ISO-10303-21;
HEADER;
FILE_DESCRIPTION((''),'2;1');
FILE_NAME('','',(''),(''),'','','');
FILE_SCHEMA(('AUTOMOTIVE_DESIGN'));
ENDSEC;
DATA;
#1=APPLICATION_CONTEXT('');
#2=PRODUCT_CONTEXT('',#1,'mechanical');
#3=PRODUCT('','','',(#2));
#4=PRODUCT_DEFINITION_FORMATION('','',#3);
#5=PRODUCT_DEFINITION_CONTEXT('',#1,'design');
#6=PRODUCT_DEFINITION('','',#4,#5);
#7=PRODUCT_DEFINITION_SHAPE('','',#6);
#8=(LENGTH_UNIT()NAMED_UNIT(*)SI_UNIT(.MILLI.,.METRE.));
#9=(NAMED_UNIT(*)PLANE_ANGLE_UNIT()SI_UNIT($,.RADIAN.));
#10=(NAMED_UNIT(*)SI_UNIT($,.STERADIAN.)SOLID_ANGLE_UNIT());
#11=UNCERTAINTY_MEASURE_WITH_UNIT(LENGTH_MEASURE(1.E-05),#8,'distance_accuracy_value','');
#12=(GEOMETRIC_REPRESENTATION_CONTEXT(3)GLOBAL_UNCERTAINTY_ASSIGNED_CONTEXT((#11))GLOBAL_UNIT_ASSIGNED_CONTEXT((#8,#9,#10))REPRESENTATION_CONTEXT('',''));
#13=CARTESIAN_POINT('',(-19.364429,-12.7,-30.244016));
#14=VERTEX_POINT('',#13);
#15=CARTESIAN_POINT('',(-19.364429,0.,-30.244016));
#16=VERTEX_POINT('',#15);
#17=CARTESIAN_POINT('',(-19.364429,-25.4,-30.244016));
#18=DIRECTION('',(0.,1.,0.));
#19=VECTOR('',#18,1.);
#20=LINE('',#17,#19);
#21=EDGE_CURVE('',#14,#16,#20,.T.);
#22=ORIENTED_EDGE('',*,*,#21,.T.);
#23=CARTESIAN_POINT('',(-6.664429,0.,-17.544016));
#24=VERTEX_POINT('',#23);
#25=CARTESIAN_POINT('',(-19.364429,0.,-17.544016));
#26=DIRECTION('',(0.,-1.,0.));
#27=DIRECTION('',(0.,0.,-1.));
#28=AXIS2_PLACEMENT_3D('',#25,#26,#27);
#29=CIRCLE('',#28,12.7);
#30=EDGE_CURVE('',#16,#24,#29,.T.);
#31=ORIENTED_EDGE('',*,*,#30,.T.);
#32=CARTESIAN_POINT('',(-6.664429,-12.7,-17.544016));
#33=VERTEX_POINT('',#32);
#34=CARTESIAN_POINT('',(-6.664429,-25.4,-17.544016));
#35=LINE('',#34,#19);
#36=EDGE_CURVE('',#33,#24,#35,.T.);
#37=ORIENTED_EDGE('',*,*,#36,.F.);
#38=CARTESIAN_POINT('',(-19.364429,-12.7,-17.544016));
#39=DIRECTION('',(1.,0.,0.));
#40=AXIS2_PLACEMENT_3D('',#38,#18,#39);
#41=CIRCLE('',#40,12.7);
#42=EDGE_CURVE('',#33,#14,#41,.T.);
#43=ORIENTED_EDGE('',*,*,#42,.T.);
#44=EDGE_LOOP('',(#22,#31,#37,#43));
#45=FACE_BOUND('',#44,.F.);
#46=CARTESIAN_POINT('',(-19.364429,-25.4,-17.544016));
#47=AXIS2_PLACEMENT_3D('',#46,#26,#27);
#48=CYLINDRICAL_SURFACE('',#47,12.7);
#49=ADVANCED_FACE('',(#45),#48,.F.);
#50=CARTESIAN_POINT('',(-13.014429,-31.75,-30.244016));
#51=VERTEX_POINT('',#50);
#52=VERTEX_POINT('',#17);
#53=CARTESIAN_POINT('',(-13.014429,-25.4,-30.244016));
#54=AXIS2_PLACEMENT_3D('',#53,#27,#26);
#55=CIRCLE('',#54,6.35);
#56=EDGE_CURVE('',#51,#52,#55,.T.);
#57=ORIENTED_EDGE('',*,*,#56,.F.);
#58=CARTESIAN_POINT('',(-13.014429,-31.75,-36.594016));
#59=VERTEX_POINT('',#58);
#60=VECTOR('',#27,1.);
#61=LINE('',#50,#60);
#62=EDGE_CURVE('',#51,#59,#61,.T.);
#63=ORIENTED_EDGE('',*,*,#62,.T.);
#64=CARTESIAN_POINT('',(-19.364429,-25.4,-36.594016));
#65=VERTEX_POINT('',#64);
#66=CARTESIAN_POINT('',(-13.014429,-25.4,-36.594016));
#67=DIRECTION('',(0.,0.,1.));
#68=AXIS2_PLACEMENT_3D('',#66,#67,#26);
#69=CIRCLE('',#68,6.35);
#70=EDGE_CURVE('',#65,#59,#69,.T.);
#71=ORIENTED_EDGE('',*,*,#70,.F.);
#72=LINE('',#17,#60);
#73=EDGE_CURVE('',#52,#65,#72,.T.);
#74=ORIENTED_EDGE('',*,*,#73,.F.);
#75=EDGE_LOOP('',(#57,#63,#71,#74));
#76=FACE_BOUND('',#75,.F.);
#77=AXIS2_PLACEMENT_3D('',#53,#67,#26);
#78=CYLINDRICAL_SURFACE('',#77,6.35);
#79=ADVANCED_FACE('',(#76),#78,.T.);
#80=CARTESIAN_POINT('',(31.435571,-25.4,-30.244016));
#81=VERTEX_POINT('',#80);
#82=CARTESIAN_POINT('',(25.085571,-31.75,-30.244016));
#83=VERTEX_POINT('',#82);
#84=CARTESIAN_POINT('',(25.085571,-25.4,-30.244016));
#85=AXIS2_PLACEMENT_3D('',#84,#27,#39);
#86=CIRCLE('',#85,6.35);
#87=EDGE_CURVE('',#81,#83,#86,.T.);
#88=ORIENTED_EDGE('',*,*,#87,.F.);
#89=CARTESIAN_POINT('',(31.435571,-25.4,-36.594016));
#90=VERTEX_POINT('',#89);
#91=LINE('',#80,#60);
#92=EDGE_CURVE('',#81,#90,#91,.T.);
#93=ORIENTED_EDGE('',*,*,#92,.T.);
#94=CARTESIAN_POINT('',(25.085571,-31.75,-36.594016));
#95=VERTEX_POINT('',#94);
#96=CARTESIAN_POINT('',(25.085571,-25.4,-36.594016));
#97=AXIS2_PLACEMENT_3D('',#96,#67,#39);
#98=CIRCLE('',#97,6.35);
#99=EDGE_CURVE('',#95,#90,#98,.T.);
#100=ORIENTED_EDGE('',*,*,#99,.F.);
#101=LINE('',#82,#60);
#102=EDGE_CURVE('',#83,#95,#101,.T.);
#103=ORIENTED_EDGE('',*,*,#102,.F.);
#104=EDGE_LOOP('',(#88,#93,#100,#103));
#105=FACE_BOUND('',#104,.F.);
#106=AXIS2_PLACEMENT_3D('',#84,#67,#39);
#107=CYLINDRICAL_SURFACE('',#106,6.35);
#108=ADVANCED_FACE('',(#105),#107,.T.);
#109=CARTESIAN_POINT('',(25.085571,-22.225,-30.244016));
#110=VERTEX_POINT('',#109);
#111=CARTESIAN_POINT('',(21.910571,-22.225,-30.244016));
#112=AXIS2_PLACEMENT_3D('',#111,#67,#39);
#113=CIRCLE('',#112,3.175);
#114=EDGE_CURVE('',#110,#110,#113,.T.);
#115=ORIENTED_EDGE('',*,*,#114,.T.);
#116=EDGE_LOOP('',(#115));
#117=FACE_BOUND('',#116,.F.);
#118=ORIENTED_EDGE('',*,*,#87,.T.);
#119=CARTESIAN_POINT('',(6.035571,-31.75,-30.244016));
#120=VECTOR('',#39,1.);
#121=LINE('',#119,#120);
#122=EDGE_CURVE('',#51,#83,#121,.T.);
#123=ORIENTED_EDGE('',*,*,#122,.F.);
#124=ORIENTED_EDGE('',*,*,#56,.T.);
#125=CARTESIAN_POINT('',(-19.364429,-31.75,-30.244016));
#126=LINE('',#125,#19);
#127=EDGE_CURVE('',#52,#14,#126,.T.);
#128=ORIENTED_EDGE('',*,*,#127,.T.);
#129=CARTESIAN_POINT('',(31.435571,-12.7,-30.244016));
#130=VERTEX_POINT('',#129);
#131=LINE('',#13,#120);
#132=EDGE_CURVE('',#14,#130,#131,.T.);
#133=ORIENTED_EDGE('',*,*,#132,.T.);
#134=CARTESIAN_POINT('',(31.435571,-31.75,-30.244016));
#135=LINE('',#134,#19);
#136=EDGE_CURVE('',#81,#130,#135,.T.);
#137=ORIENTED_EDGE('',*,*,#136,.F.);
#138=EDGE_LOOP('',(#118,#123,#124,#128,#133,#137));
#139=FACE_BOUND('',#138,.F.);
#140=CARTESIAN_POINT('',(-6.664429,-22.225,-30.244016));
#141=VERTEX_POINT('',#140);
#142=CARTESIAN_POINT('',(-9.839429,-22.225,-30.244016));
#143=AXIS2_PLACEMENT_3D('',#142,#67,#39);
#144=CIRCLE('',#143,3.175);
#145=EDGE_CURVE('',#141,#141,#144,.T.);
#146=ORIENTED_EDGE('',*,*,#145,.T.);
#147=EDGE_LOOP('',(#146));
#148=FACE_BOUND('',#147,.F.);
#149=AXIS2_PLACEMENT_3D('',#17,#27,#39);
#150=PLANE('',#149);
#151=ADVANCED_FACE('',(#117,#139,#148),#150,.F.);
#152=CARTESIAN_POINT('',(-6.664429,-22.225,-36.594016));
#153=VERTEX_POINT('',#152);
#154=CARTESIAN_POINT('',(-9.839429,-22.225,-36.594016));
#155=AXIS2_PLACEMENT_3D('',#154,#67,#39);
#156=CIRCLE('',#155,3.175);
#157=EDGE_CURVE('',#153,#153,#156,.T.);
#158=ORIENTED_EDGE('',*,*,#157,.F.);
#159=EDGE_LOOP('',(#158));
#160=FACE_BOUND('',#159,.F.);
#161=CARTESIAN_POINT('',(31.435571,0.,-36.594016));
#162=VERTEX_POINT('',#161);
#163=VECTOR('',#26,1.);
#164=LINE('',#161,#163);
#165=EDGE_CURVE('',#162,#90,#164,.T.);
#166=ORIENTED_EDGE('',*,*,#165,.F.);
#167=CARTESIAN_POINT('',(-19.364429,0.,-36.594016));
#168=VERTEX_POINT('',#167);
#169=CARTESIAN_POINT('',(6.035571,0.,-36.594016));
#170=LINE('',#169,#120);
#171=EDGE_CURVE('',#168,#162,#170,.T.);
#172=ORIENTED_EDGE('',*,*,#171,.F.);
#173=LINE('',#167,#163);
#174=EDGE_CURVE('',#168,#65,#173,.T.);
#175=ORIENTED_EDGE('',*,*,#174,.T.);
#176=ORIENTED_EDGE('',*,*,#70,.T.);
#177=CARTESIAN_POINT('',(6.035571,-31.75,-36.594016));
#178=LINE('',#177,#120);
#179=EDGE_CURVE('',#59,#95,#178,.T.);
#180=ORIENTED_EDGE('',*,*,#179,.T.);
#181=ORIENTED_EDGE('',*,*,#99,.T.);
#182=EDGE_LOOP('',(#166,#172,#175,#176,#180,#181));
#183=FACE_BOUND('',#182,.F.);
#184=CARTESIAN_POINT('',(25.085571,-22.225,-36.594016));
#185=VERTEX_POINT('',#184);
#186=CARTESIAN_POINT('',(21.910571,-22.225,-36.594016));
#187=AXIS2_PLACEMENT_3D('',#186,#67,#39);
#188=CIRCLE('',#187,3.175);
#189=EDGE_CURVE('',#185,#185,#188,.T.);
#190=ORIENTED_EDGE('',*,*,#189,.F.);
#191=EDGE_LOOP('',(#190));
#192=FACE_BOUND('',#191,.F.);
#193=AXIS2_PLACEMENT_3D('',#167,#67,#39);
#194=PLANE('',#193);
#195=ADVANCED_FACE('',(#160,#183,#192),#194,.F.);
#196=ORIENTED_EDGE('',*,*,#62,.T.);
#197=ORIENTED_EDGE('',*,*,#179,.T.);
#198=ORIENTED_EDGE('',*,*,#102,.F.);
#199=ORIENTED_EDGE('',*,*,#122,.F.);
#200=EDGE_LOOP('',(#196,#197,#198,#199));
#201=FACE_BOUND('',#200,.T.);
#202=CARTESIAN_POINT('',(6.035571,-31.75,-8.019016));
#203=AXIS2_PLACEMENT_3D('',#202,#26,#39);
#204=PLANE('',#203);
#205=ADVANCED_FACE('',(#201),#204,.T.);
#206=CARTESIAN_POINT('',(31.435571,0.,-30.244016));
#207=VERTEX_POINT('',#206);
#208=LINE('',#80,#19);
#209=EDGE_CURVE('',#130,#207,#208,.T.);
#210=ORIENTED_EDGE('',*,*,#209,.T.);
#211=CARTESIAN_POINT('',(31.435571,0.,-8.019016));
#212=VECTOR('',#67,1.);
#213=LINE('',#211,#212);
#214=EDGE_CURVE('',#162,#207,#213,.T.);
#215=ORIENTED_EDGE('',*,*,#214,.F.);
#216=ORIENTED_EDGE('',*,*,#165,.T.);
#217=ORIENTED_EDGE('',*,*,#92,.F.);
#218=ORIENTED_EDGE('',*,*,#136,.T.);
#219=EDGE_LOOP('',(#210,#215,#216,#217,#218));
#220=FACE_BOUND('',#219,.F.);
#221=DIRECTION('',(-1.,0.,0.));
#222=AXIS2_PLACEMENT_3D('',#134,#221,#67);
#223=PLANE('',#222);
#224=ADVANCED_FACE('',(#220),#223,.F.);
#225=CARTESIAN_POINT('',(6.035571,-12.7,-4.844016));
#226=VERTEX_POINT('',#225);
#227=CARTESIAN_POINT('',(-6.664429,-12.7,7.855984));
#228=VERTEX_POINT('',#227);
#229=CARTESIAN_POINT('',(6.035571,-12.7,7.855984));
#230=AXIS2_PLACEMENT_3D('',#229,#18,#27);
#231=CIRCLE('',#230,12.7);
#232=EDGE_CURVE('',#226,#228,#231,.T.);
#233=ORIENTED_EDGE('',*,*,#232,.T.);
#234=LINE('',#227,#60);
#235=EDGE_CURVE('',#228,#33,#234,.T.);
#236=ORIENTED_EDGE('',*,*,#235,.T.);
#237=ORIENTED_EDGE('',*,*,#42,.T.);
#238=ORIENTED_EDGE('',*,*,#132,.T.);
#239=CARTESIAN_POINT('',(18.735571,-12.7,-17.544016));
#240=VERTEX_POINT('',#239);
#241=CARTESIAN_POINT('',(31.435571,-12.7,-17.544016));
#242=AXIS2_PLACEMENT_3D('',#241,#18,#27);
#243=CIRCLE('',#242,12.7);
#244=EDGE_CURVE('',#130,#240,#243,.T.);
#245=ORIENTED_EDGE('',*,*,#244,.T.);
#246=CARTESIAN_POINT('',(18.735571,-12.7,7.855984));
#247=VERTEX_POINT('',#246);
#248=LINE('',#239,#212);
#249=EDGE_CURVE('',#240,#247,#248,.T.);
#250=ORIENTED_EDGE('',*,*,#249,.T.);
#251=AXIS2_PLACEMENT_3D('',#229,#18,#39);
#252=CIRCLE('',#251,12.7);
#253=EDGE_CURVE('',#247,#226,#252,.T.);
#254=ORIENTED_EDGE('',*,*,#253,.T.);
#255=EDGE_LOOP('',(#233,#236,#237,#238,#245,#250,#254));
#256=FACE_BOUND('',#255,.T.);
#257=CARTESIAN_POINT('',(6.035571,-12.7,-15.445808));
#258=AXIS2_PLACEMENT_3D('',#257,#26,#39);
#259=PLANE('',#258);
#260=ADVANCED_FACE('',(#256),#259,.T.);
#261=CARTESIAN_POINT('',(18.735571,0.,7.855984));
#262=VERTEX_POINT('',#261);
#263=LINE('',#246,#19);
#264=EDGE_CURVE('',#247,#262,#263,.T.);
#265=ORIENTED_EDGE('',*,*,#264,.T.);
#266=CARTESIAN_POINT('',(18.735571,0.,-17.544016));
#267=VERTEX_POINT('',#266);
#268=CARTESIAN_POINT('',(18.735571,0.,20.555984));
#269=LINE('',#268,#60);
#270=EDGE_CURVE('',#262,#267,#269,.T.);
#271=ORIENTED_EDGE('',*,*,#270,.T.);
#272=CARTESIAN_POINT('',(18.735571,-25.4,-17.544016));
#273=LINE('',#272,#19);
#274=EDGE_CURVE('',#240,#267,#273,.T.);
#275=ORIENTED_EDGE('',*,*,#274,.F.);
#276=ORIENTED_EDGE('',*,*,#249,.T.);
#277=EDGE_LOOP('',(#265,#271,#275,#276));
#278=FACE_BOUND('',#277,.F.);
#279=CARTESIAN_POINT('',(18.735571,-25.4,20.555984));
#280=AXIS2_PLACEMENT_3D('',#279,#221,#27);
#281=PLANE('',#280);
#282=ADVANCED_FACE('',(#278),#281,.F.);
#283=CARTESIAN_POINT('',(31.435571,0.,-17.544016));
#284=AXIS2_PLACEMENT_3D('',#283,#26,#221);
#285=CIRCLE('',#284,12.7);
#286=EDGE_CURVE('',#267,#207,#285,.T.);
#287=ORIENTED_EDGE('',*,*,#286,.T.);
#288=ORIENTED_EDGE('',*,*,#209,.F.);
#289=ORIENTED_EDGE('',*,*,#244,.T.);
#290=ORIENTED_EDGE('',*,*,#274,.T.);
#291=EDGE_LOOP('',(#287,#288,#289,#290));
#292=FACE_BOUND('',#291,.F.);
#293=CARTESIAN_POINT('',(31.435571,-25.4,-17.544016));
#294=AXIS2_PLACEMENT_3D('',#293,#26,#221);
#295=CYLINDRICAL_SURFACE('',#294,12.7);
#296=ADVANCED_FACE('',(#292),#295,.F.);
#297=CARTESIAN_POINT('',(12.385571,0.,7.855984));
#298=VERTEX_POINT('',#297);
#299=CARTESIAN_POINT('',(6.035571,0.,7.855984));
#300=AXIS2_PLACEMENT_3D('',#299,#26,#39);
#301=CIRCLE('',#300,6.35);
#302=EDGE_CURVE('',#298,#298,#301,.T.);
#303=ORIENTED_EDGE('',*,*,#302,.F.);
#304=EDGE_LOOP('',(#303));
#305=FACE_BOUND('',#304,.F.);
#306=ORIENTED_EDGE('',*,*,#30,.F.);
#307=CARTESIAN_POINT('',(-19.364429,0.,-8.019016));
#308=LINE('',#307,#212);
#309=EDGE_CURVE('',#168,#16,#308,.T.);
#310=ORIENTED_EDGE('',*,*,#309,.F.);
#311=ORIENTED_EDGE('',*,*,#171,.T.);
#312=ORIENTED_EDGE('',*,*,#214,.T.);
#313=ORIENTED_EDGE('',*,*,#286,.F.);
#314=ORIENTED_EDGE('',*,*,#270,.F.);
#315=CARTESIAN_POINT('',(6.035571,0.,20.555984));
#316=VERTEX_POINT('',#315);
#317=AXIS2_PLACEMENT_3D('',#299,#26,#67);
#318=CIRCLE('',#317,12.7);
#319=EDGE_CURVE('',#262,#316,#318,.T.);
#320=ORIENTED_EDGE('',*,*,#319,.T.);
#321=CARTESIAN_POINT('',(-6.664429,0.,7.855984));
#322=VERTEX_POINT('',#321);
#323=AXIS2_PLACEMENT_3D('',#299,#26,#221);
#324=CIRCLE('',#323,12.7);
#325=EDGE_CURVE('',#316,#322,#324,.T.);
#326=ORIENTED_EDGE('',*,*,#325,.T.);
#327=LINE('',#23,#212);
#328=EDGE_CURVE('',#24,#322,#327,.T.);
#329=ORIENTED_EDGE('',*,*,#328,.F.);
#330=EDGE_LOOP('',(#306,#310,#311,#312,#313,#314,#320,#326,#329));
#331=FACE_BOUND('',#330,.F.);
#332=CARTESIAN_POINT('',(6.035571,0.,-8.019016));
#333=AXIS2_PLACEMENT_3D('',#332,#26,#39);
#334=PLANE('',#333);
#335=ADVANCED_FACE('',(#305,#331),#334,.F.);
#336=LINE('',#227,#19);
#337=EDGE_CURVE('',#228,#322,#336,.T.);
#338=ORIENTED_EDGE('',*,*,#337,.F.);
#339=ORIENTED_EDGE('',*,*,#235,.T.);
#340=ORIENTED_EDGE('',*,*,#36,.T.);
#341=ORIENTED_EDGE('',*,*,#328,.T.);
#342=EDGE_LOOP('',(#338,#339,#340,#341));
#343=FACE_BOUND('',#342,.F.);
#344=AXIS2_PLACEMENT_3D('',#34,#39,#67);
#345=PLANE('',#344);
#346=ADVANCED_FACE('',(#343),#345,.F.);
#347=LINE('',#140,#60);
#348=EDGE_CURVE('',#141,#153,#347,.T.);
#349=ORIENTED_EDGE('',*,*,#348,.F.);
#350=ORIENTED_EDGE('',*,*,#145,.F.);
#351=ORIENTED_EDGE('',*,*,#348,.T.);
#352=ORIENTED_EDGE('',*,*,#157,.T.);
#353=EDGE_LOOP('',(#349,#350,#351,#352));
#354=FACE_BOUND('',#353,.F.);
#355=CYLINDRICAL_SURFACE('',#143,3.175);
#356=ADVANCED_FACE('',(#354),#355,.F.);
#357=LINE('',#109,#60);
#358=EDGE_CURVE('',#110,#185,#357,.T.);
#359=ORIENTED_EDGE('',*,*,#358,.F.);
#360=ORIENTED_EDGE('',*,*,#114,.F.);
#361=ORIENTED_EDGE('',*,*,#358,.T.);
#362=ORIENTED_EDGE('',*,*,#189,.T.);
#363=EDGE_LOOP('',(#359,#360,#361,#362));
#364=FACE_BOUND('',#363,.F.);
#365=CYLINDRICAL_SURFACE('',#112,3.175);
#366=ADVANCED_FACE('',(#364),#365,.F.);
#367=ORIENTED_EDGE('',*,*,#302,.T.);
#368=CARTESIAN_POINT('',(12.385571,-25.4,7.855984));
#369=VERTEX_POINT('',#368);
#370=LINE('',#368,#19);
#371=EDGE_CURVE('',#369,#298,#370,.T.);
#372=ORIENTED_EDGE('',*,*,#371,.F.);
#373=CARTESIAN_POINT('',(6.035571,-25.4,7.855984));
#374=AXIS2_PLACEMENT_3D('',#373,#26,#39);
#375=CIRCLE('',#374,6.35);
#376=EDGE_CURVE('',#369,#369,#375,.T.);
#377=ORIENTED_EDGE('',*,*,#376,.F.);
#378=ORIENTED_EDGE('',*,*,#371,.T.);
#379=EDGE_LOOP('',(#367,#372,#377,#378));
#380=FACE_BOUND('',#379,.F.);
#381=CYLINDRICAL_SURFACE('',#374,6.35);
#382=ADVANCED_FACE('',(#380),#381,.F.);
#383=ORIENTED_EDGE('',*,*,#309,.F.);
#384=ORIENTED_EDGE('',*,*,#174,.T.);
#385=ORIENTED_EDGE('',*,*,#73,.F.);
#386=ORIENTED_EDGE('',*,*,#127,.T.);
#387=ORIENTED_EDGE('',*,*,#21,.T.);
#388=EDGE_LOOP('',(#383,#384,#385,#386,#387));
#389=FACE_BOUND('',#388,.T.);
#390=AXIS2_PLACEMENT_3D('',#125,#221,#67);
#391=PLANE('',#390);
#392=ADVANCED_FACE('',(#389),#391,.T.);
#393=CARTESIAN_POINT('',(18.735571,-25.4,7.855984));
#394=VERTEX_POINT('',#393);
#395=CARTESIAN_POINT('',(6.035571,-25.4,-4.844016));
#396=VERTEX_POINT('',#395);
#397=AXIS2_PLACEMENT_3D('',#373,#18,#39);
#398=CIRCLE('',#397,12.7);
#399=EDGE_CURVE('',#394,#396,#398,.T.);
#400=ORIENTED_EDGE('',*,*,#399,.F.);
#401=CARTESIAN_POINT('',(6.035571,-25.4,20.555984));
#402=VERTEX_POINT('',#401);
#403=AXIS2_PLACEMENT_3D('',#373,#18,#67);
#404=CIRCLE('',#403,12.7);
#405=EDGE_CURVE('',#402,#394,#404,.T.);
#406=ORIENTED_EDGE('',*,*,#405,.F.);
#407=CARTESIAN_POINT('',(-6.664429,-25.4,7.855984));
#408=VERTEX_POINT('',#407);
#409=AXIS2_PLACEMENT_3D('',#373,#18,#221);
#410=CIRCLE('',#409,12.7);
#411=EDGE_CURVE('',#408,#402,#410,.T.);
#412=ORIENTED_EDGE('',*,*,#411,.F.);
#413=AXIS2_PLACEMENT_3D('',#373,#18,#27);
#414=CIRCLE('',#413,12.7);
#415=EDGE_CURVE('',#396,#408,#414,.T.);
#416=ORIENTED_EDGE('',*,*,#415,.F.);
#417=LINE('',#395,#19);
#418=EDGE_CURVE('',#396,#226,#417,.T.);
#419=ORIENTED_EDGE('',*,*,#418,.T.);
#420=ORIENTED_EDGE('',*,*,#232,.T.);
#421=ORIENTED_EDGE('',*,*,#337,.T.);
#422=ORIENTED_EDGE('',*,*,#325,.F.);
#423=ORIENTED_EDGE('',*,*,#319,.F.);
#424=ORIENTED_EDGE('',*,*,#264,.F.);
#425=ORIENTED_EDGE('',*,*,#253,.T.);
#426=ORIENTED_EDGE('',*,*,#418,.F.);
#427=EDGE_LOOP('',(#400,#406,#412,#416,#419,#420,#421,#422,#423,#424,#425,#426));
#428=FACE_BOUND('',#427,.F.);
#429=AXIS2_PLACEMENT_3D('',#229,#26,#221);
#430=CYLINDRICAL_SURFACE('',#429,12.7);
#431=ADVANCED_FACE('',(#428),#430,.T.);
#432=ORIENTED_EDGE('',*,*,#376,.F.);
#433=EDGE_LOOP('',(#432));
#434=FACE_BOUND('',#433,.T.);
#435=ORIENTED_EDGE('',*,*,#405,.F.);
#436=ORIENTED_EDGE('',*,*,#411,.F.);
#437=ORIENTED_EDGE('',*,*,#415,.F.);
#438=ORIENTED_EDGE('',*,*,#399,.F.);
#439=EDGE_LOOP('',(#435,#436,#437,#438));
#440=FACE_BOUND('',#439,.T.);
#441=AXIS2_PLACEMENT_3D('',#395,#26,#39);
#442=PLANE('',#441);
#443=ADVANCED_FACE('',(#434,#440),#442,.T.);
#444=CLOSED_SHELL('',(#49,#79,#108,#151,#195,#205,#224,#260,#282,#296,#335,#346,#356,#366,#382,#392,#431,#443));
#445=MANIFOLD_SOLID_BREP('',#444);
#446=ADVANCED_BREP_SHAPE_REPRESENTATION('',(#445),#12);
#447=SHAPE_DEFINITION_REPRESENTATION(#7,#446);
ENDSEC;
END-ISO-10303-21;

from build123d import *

# Parameters (mm, degrees)
F0_W      = 50.8
F0_H      = 57.15
F1_DEPTH  = 31.75
F2_W      = 50.8
F2_H      = 50.8
F3_DEPTH  = 6.35
F4_DEPTH  = 12.7
F6_DEPTH  = 25.4
F8_DEPTH  = 12.7
F9_DEPTH  = 25.4
F10_R     = 6.35
F11_DEPTH = 50.8
F12_R     = 3.175
F13_DEPTH = 25.4


with BuildPart() as f1:
    # F0 (on Front) → F1 (new body)
    with BuildSketch(Plane.XZ):
        with Locations((6.0355709866, -8.0190159138)):
            Rectangle(F0_W, F0_H)
    extrude(amount=F1_DEPTH)

    # F2 (on face) → F3 (join)
    with BuildSketch(Plane.XZ.offset(31.75)):
        with Locations((6.0355709866, -4.8440159138)):
            Rectangle(F2_W, F2_H)
    extrude(amount=F3_DEPTH)

    # F4 (cut): a face of the model
    f4_faces = [f1.faces().sort_by_distance(p)[0] for p in [
        (6.0355709866, -38.1, -4.8440159138),
    ]]
    extrude(f4_faces, amount=-F4_DEPTH, mode=Mode.SUBTRACT)

    # F5 (on face) → F6 (cut)
    with BuildSketch(Plane.XZ.offset(25.4)):
        with BuildLine():
            Line((-6.6644290134, -17.5440159138), (-6.6644290134, 20.5559840862))
            Line((-6.6644290134, 20.5559840862), (-19.3644290134, 20.5559840862))
            Line((-19.3644290134, 20.5559840862), (-19.3644290134, -30.2440159138))
            ThreePointArc((-19.3644290134, -30.2440159138), (-10.3841728924, -26.5242720349), (-6.6644290134, -17.5440159138))
        make_face()
        with BuildLine():
            Line((31.4355709866, 20.5559840862), (18.7355709866, 20.5559840862))
            Line((18.7355709866, 20.5559840862), (18.7355709866, -17.5440159138))
            ThreePointArc((18.7355709866, -17.5440159138), (22.4553148655, -26.5242720349), (31.4355709866, -30.2440159138))
            Line((31.4355709866, -30.2440159138), (31.4355709866, 20.5559840862))
        make_face()
    extrude(amount=-F6_DEPTH, mode=Mode.SUBTRACT)

    # F7 (on face) → F8 (cut)
    with BuildSketch(Plane.XZ.offset(25.4)):
        with BuildLine():
            ThreePointArc((6.0355709866, -4.8440159138), (-2.9446851345, -1.1242720349), (-6.6644290134, 7.8559840862))
            Line((-6.6644290134, 7.8559840862), (-6.6644290134, -17.5440159138))
            ThreePointArc((-6.6644290134, -17.5440159138), (-10.3841728924, -26.5242720349), (-19.3644290134, -30.2440159138))
            Line((-19.3644290134, -30.2440159138), (31.4355709866, -30.2440159138))
            ThreePointArc((31.4355709866, -30.2440159138), (22.4553148655, -26.5242720349), (18.7355709866, -17.5440159138))
            Line((18.7355709866, -17.5440159138), (18.7355709866, 7.8559840862))
            ThreePointArc((18.7355709866, 7.8559840862), (15.0158271076, -1.1242720349), (6.0355709866, -4.8440159138))
        make_face()
        with BuildLine():
            Line((18.7355709866, 20.5559840862), (6.0355709866, 20.5559840862))
            ThreePointArc((6.0355709866, 20.5559840862), (15.0158271076, 16.8362402072), (18.7355709866, 7.8559840862))
            Line((18.7355709866, 7.8559840862), (18.7355709866, 20.5559840862))
        make_face()
        with BuildLine():
            ThreePointArc((-6.6644290134, 7.8559840862), (-2.9446851345, 16.8362402072), (6.0355709866, 20.5559840862))
            Line((6.0355709866, 20.5559840862), (-6.6644290134, 20.5559840862))
            Line((-6.6644290134, 20.5559840862), (-6.6644290134, 7.8559840862))
        make_face()
    extrude(amount=-F8_DEPTH, mode=Mode.SUBTRACT)

    # F9 (cut): faces of the model
    f9_faces = [f1.faces().sort_by_distance(p)[0] for p in [
        (15.898798162, -12.7, 17.7192112615),
        (-3.8276561888, -12.7, 17.7192112615),
    ]]
    extrude(f9_faces, amount=-F9_DEPTH, mode=Mode.SUBTRACT)

    # F10 (on face) → F11 (cut)
    with BuildSketch(Plane.XZ.offset(25.4)):
        with Locations((6.0355709866, 7.8559840862)):
            Circle(F10_R)
    extrude(amount=-F11_DEPTH, mode=Mode.SUBTRACT)

    # F12 (on face) → F13 (cut)
    with BuildSketch(Plane.XY.offset(-30.2440159138)):
        with Locations((-9.8394290134, -22.225)):
            Circle(F12_R)
        with BuildLine():
            ThreePointArc((-13.0144290134, -31.75), (-17.504557074, -29.8901280605), (-19.3644290134, -25.4))
            Line((-19.3644290134, -25.4), (-19.3644290134, -31.75))
            Line((-19.3644290134, -31.75), (-13.0144290134, -31.75))
        make_face()
        with Locations((21.9105709866, -22.225)):
            Circle(F12_R)
        with BuildLine():
            Line((31.4355709866, -31.75), (31.4355709866, -25.4))
            ThreePointArc((31.4355709866, -25.4), (29.5756990471, -29.8901280605), (25.0855709866, -31.75))
            Line((25.0855709866, -31.75), (31.4355709866, -31.75))
        make_face()
    extrude(amount=-F13_DEPTH, mode=Mode.SUBTRACT)


solid = f1.part
